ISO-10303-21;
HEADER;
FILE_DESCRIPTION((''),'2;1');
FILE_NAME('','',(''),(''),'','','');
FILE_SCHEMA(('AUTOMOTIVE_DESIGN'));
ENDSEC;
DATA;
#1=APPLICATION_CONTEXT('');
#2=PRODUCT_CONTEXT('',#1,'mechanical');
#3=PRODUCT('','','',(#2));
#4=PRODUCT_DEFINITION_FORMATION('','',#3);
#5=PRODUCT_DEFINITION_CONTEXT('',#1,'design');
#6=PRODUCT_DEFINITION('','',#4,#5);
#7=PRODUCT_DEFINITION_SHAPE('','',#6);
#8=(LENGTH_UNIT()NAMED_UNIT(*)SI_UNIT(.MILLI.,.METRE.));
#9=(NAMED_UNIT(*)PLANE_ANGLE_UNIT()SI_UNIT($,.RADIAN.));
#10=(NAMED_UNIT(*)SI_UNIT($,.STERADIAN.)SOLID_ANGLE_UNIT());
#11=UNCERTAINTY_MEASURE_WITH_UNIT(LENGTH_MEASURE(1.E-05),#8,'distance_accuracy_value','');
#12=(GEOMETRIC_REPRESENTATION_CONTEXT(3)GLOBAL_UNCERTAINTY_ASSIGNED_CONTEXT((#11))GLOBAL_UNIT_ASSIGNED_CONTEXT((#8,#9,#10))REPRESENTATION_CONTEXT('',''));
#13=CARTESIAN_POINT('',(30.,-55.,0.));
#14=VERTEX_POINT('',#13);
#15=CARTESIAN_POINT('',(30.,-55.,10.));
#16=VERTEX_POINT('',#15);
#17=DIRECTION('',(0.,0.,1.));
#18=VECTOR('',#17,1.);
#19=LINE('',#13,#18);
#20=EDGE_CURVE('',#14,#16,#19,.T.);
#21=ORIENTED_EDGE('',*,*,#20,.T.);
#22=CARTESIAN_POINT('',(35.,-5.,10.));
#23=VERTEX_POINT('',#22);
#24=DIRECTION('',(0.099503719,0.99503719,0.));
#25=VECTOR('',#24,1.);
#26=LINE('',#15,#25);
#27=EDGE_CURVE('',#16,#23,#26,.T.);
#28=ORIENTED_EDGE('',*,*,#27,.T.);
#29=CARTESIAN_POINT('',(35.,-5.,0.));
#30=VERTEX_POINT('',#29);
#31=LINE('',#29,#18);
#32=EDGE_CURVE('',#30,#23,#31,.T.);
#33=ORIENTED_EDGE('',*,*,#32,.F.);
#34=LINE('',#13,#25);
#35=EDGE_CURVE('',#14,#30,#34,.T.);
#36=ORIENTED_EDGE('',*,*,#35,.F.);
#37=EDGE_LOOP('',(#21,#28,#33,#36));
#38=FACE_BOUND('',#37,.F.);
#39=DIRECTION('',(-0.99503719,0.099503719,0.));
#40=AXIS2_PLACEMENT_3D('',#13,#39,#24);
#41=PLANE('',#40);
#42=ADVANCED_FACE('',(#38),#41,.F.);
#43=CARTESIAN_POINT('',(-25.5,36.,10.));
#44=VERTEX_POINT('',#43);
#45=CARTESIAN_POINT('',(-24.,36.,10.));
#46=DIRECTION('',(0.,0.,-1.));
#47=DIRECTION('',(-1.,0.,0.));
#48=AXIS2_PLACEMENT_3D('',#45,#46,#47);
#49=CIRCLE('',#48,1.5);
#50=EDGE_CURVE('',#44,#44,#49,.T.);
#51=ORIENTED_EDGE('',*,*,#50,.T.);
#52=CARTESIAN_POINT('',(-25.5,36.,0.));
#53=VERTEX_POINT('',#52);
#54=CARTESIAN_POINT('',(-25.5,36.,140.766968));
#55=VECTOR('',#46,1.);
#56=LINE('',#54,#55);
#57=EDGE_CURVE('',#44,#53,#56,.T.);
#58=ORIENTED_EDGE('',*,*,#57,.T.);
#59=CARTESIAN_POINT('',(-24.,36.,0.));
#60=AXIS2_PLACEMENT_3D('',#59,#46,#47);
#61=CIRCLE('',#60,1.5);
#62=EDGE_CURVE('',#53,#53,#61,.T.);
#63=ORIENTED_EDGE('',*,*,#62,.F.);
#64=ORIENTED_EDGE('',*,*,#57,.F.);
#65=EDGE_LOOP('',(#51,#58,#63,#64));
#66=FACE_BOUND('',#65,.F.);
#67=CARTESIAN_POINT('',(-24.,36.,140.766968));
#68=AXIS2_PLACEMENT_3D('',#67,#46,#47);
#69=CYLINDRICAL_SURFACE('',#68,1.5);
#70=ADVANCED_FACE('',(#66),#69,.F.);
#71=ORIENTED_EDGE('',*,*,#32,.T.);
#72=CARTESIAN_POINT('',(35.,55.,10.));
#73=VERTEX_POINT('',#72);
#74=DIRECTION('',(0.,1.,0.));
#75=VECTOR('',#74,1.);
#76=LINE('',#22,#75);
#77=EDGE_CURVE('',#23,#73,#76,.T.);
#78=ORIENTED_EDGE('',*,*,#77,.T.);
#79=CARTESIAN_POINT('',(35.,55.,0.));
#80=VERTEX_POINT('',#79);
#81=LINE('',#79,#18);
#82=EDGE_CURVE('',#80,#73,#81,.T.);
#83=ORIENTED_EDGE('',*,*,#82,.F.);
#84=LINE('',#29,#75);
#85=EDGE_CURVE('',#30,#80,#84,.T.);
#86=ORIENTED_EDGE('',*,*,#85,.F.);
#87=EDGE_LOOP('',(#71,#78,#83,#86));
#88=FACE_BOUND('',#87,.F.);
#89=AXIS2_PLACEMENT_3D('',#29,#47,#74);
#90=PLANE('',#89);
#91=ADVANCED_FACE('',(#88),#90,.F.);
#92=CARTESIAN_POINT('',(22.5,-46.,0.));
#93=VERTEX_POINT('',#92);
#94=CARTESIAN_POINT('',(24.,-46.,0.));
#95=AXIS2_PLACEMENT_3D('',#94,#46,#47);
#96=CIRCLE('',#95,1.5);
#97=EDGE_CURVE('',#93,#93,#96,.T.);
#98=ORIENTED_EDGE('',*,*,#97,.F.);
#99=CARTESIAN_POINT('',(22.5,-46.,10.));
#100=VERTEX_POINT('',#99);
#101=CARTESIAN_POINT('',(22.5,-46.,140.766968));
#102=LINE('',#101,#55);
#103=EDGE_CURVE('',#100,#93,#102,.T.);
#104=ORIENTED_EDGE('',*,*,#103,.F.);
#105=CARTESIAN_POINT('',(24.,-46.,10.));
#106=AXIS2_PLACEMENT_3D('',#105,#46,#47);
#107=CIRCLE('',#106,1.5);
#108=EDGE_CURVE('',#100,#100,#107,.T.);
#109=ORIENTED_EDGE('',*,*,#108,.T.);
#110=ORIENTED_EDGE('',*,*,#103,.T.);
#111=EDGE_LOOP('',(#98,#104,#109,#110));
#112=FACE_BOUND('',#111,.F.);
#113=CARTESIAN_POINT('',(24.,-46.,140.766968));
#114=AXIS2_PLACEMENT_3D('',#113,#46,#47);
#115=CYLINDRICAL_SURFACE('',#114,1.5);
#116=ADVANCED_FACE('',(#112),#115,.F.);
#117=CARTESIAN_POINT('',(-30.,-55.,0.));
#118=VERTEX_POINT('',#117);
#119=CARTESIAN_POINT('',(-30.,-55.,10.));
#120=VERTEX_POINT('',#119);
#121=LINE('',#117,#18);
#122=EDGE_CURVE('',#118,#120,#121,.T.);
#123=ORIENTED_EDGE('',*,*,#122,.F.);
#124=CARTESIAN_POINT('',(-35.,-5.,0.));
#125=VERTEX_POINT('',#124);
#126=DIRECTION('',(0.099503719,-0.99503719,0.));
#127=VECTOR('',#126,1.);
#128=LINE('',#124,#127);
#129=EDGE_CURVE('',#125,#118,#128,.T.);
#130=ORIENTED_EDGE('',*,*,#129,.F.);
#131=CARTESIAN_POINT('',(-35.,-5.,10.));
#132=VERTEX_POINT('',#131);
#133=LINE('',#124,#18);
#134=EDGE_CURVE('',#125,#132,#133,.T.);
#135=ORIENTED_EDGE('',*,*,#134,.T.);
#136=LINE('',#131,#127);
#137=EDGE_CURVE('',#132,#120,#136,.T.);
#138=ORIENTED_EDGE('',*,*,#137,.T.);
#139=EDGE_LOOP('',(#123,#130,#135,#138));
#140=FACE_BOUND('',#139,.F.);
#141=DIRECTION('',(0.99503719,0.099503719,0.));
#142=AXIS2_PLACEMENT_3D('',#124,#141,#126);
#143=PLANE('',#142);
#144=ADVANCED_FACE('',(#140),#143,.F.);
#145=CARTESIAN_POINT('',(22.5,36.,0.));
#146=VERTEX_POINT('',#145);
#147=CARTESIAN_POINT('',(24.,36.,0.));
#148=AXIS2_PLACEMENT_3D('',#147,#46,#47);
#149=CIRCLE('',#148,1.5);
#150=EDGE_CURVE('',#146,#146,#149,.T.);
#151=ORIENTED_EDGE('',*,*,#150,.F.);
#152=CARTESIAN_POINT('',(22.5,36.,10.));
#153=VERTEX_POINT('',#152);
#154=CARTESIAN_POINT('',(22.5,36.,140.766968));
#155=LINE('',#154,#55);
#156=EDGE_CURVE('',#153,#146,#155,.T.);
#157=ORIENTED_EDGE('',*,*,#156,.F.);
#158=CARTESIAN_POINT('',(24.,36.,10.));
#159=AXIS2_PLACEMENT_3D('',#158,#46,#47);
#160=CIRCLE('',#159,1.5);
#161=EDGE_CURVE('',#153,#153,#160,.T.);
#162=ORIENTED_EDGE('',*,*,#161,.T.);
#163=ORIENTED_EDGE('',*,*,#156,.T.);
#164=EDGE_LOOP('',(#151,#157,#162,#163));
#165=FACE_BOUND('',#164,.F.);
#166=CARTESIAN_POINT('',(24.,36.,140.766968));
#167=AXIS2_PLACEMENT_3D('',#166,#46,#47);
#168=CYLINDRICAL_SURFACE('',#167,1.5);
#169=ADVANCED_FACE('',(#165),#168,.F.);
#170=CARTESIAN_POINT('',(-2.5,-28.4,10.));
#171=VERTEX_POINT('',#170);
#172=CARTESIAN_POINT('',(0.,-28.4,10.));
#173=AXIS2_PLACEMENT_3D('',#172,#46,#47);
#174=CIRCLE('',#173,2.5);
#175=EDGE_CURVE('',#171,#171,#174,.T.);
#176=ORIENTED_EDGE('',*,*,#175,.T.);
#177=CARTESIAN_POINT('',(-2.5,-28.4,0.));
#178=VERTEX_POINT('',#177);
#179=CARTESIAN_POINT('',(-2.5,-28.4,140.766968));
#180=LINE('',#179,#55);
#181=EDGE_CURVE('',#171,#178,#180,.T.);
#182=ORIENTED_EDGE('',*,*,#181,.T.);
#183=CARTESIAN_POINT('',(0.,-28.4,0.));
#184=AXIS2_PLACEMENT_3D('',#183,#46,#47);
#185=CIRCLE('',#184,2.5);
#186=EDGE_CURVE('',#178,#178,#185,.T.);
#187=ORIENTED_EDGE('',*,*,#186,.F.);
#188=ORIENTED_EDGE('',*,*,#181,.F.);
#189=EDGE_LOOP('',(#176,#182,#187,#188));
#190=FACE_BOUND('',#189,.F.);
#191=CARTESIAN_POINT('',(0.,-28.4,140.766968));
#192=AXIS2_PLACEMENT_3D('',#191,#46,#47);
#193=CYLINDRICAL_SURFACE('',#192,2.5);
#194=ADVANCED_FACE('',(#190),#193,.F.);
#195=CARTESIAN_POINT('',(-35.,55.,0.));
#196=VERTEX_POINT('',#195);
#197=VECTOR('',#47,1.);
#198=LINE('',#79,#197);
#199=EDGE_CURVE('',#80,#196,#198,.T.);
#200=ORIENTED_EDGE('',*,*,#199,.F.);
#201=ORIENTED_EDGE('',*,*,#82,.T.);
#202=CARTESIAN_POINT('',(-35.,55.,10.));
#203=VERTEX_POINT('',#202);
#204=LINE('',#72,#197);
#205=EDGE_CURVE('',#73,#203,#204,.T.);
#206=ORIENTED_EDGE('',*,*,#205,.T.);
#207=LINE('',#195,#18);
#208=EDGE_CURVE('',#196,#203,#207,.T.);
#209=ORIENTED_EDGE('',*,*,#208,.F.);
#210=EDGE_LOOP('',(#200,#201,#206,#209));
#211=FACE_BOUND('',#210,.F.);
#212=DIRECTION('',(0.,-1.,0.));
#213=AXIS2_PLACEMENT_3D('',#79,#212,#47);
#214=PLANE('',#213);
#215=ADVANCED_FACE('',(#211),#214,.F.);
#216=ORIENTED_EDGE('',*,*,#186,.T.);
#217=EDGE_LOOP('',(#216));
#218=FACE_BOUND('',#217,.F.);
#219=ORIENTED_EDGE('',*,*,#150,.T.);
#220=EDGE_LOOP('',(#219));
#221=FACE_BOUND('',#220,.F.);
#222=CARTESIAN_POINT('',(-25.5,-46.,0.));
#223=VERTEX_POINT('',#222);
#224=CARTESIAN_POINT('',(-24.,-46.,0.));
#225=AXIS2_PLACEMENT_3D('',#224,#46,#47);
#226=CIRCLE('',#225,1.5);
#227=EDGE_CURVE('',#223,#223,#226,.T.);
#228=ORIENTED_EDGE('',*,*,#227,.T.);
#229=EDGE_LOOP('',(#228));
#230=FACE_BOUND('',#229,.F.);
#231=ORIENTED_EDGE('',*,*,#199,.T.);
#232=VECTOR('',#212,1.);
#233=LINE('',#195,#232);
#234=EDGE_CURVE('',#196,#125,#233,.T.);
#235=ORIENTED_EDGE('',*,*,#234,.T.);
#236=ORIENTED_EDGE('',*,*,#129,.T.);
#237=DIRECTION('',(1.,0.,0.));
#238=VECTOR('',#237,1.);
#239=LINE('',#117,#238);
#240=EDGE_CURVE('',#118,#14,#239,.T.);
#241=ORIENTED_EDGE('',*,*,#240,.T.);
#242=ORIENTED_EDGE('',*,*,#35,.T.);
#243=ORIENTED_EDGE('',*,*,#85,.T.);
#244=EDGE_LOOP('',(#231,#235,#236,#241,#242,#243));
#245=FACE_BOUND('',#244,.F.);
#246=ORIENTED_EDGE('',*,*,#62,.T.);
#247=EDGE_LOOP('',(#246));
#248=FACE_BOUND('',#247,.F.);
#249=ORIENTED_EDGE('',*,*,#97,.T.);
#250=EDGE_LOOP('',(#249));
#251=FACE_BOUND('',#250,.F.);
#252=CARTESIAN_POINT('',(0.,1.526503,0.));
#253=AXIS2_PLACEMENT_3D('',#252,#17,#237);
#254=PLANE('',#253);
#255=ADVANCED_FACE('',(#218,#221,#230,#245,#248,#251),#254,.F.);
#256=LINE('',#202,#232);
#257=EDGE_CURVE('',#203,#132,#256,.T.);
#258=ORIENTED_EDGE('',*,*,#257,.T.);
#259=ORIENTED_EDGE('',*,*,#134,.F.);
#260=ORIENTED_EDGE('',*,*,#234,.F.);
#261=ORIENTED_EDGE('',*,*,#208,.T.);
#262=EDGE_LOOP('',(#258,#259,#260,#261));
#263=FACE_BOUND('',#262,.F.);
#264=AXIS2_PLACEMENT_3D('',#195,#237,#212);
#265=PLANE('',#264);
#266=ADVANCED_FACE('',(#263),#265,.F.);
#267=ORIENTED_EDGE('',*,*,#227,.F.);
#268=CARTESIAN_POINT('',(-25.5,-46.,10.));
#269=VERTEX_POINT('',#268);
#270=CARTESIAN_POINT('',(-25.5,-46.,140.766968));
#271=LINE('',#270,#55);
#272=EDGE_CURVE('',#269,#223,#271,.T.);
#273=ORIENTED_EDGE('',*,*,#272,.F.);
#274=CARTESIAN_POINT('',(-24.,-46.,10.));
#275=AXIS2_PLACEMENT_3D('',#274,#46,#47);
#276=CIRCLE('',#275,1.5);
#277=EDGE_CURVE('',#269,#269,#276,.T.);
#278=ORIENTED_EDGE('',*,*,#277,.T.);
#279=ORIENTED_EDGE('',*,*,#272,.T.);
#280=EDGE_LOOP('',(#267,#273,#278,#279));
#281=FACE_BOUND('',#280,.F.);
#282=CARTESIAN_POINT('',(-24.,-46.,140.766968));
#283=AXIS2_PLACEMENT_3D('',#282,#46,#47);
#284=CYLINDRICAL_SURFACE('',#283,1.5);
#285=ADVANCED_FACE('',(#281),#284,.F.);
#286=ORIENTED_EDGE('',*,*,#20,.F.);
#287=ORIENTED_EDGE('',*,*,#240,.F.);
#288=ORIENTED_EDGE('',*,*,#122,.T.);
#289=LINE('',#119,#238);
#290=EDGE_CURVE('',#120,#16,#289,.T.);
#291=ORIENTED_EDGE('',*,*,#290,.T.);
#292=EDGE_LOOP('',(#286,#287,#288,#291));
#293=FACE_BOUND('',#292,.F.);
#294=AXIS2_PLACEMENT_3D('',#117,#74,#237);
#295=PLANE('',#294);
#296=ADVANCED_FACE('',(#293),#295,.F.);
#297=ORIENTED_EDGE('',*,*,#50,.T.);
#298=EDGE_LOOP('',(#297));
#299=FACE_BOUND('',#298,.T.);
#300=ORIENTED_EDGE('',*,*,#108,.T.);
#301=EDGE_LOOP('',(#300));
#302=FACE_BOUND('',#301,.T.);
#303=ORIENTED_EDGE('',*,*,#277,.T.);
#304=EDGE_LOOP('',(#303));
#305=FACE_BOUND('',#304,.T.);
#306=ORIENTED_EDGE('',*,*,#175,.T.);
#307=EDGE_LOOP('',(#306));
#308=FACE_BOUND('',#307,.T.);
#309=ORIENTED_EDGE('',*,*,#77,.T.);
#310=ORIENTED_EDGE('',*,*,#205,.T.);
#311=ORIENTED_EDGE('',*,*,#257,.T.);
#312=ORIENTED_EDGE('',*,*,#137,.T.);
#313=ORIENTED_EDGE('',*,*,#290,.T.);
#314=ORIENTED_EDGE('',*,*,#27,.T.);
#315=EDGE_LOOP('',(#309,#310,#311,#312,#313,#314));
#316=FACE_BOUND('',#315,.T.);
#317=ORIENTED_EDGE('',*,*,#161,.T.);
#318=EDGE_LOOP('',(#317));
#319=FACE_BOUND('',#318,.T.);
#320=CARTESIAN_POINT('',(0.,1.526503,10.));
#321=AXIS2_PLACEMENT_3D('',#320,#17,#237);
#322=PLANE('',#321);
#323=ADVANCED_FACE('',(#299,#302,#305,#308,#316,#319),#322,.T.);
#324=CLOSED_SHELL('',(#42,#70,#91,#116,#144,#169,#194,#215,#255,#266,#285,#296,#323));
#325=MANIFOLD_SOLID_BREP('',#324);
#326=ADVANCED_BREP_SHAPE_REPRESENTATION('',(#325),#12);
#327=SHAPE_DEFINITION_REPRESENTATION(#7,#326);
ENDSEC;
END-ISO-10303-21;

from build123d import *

# Parameters (mm, degrees)
F1_DEPTH = 10
F3_D     = 5
F4_D     = 3


with BuildPart() as f1:
    # F0 (on Top) → F1 (new body)
    with BuildSketch(Plane.XY):
        Polygon((35, -5), (35, 55), (-35, 55), (-35, -5), (-30, -55), (30, -55), align=None)
    extrude(amount=F1_DEPTH)

    # F3 (through all)
    with Locations(Plane.XY.offset(10)):
        with Locations((0, -28.4)):
            Hole(F3_D / 2)

    # F4 (through all)
    with Locations(Plane.XY.offset(10)):
        with Locations((-24, 36), (24, 36), (24, -46), (-24, -46)):
            Hole(F4_D / 2)


solid = f1.part
